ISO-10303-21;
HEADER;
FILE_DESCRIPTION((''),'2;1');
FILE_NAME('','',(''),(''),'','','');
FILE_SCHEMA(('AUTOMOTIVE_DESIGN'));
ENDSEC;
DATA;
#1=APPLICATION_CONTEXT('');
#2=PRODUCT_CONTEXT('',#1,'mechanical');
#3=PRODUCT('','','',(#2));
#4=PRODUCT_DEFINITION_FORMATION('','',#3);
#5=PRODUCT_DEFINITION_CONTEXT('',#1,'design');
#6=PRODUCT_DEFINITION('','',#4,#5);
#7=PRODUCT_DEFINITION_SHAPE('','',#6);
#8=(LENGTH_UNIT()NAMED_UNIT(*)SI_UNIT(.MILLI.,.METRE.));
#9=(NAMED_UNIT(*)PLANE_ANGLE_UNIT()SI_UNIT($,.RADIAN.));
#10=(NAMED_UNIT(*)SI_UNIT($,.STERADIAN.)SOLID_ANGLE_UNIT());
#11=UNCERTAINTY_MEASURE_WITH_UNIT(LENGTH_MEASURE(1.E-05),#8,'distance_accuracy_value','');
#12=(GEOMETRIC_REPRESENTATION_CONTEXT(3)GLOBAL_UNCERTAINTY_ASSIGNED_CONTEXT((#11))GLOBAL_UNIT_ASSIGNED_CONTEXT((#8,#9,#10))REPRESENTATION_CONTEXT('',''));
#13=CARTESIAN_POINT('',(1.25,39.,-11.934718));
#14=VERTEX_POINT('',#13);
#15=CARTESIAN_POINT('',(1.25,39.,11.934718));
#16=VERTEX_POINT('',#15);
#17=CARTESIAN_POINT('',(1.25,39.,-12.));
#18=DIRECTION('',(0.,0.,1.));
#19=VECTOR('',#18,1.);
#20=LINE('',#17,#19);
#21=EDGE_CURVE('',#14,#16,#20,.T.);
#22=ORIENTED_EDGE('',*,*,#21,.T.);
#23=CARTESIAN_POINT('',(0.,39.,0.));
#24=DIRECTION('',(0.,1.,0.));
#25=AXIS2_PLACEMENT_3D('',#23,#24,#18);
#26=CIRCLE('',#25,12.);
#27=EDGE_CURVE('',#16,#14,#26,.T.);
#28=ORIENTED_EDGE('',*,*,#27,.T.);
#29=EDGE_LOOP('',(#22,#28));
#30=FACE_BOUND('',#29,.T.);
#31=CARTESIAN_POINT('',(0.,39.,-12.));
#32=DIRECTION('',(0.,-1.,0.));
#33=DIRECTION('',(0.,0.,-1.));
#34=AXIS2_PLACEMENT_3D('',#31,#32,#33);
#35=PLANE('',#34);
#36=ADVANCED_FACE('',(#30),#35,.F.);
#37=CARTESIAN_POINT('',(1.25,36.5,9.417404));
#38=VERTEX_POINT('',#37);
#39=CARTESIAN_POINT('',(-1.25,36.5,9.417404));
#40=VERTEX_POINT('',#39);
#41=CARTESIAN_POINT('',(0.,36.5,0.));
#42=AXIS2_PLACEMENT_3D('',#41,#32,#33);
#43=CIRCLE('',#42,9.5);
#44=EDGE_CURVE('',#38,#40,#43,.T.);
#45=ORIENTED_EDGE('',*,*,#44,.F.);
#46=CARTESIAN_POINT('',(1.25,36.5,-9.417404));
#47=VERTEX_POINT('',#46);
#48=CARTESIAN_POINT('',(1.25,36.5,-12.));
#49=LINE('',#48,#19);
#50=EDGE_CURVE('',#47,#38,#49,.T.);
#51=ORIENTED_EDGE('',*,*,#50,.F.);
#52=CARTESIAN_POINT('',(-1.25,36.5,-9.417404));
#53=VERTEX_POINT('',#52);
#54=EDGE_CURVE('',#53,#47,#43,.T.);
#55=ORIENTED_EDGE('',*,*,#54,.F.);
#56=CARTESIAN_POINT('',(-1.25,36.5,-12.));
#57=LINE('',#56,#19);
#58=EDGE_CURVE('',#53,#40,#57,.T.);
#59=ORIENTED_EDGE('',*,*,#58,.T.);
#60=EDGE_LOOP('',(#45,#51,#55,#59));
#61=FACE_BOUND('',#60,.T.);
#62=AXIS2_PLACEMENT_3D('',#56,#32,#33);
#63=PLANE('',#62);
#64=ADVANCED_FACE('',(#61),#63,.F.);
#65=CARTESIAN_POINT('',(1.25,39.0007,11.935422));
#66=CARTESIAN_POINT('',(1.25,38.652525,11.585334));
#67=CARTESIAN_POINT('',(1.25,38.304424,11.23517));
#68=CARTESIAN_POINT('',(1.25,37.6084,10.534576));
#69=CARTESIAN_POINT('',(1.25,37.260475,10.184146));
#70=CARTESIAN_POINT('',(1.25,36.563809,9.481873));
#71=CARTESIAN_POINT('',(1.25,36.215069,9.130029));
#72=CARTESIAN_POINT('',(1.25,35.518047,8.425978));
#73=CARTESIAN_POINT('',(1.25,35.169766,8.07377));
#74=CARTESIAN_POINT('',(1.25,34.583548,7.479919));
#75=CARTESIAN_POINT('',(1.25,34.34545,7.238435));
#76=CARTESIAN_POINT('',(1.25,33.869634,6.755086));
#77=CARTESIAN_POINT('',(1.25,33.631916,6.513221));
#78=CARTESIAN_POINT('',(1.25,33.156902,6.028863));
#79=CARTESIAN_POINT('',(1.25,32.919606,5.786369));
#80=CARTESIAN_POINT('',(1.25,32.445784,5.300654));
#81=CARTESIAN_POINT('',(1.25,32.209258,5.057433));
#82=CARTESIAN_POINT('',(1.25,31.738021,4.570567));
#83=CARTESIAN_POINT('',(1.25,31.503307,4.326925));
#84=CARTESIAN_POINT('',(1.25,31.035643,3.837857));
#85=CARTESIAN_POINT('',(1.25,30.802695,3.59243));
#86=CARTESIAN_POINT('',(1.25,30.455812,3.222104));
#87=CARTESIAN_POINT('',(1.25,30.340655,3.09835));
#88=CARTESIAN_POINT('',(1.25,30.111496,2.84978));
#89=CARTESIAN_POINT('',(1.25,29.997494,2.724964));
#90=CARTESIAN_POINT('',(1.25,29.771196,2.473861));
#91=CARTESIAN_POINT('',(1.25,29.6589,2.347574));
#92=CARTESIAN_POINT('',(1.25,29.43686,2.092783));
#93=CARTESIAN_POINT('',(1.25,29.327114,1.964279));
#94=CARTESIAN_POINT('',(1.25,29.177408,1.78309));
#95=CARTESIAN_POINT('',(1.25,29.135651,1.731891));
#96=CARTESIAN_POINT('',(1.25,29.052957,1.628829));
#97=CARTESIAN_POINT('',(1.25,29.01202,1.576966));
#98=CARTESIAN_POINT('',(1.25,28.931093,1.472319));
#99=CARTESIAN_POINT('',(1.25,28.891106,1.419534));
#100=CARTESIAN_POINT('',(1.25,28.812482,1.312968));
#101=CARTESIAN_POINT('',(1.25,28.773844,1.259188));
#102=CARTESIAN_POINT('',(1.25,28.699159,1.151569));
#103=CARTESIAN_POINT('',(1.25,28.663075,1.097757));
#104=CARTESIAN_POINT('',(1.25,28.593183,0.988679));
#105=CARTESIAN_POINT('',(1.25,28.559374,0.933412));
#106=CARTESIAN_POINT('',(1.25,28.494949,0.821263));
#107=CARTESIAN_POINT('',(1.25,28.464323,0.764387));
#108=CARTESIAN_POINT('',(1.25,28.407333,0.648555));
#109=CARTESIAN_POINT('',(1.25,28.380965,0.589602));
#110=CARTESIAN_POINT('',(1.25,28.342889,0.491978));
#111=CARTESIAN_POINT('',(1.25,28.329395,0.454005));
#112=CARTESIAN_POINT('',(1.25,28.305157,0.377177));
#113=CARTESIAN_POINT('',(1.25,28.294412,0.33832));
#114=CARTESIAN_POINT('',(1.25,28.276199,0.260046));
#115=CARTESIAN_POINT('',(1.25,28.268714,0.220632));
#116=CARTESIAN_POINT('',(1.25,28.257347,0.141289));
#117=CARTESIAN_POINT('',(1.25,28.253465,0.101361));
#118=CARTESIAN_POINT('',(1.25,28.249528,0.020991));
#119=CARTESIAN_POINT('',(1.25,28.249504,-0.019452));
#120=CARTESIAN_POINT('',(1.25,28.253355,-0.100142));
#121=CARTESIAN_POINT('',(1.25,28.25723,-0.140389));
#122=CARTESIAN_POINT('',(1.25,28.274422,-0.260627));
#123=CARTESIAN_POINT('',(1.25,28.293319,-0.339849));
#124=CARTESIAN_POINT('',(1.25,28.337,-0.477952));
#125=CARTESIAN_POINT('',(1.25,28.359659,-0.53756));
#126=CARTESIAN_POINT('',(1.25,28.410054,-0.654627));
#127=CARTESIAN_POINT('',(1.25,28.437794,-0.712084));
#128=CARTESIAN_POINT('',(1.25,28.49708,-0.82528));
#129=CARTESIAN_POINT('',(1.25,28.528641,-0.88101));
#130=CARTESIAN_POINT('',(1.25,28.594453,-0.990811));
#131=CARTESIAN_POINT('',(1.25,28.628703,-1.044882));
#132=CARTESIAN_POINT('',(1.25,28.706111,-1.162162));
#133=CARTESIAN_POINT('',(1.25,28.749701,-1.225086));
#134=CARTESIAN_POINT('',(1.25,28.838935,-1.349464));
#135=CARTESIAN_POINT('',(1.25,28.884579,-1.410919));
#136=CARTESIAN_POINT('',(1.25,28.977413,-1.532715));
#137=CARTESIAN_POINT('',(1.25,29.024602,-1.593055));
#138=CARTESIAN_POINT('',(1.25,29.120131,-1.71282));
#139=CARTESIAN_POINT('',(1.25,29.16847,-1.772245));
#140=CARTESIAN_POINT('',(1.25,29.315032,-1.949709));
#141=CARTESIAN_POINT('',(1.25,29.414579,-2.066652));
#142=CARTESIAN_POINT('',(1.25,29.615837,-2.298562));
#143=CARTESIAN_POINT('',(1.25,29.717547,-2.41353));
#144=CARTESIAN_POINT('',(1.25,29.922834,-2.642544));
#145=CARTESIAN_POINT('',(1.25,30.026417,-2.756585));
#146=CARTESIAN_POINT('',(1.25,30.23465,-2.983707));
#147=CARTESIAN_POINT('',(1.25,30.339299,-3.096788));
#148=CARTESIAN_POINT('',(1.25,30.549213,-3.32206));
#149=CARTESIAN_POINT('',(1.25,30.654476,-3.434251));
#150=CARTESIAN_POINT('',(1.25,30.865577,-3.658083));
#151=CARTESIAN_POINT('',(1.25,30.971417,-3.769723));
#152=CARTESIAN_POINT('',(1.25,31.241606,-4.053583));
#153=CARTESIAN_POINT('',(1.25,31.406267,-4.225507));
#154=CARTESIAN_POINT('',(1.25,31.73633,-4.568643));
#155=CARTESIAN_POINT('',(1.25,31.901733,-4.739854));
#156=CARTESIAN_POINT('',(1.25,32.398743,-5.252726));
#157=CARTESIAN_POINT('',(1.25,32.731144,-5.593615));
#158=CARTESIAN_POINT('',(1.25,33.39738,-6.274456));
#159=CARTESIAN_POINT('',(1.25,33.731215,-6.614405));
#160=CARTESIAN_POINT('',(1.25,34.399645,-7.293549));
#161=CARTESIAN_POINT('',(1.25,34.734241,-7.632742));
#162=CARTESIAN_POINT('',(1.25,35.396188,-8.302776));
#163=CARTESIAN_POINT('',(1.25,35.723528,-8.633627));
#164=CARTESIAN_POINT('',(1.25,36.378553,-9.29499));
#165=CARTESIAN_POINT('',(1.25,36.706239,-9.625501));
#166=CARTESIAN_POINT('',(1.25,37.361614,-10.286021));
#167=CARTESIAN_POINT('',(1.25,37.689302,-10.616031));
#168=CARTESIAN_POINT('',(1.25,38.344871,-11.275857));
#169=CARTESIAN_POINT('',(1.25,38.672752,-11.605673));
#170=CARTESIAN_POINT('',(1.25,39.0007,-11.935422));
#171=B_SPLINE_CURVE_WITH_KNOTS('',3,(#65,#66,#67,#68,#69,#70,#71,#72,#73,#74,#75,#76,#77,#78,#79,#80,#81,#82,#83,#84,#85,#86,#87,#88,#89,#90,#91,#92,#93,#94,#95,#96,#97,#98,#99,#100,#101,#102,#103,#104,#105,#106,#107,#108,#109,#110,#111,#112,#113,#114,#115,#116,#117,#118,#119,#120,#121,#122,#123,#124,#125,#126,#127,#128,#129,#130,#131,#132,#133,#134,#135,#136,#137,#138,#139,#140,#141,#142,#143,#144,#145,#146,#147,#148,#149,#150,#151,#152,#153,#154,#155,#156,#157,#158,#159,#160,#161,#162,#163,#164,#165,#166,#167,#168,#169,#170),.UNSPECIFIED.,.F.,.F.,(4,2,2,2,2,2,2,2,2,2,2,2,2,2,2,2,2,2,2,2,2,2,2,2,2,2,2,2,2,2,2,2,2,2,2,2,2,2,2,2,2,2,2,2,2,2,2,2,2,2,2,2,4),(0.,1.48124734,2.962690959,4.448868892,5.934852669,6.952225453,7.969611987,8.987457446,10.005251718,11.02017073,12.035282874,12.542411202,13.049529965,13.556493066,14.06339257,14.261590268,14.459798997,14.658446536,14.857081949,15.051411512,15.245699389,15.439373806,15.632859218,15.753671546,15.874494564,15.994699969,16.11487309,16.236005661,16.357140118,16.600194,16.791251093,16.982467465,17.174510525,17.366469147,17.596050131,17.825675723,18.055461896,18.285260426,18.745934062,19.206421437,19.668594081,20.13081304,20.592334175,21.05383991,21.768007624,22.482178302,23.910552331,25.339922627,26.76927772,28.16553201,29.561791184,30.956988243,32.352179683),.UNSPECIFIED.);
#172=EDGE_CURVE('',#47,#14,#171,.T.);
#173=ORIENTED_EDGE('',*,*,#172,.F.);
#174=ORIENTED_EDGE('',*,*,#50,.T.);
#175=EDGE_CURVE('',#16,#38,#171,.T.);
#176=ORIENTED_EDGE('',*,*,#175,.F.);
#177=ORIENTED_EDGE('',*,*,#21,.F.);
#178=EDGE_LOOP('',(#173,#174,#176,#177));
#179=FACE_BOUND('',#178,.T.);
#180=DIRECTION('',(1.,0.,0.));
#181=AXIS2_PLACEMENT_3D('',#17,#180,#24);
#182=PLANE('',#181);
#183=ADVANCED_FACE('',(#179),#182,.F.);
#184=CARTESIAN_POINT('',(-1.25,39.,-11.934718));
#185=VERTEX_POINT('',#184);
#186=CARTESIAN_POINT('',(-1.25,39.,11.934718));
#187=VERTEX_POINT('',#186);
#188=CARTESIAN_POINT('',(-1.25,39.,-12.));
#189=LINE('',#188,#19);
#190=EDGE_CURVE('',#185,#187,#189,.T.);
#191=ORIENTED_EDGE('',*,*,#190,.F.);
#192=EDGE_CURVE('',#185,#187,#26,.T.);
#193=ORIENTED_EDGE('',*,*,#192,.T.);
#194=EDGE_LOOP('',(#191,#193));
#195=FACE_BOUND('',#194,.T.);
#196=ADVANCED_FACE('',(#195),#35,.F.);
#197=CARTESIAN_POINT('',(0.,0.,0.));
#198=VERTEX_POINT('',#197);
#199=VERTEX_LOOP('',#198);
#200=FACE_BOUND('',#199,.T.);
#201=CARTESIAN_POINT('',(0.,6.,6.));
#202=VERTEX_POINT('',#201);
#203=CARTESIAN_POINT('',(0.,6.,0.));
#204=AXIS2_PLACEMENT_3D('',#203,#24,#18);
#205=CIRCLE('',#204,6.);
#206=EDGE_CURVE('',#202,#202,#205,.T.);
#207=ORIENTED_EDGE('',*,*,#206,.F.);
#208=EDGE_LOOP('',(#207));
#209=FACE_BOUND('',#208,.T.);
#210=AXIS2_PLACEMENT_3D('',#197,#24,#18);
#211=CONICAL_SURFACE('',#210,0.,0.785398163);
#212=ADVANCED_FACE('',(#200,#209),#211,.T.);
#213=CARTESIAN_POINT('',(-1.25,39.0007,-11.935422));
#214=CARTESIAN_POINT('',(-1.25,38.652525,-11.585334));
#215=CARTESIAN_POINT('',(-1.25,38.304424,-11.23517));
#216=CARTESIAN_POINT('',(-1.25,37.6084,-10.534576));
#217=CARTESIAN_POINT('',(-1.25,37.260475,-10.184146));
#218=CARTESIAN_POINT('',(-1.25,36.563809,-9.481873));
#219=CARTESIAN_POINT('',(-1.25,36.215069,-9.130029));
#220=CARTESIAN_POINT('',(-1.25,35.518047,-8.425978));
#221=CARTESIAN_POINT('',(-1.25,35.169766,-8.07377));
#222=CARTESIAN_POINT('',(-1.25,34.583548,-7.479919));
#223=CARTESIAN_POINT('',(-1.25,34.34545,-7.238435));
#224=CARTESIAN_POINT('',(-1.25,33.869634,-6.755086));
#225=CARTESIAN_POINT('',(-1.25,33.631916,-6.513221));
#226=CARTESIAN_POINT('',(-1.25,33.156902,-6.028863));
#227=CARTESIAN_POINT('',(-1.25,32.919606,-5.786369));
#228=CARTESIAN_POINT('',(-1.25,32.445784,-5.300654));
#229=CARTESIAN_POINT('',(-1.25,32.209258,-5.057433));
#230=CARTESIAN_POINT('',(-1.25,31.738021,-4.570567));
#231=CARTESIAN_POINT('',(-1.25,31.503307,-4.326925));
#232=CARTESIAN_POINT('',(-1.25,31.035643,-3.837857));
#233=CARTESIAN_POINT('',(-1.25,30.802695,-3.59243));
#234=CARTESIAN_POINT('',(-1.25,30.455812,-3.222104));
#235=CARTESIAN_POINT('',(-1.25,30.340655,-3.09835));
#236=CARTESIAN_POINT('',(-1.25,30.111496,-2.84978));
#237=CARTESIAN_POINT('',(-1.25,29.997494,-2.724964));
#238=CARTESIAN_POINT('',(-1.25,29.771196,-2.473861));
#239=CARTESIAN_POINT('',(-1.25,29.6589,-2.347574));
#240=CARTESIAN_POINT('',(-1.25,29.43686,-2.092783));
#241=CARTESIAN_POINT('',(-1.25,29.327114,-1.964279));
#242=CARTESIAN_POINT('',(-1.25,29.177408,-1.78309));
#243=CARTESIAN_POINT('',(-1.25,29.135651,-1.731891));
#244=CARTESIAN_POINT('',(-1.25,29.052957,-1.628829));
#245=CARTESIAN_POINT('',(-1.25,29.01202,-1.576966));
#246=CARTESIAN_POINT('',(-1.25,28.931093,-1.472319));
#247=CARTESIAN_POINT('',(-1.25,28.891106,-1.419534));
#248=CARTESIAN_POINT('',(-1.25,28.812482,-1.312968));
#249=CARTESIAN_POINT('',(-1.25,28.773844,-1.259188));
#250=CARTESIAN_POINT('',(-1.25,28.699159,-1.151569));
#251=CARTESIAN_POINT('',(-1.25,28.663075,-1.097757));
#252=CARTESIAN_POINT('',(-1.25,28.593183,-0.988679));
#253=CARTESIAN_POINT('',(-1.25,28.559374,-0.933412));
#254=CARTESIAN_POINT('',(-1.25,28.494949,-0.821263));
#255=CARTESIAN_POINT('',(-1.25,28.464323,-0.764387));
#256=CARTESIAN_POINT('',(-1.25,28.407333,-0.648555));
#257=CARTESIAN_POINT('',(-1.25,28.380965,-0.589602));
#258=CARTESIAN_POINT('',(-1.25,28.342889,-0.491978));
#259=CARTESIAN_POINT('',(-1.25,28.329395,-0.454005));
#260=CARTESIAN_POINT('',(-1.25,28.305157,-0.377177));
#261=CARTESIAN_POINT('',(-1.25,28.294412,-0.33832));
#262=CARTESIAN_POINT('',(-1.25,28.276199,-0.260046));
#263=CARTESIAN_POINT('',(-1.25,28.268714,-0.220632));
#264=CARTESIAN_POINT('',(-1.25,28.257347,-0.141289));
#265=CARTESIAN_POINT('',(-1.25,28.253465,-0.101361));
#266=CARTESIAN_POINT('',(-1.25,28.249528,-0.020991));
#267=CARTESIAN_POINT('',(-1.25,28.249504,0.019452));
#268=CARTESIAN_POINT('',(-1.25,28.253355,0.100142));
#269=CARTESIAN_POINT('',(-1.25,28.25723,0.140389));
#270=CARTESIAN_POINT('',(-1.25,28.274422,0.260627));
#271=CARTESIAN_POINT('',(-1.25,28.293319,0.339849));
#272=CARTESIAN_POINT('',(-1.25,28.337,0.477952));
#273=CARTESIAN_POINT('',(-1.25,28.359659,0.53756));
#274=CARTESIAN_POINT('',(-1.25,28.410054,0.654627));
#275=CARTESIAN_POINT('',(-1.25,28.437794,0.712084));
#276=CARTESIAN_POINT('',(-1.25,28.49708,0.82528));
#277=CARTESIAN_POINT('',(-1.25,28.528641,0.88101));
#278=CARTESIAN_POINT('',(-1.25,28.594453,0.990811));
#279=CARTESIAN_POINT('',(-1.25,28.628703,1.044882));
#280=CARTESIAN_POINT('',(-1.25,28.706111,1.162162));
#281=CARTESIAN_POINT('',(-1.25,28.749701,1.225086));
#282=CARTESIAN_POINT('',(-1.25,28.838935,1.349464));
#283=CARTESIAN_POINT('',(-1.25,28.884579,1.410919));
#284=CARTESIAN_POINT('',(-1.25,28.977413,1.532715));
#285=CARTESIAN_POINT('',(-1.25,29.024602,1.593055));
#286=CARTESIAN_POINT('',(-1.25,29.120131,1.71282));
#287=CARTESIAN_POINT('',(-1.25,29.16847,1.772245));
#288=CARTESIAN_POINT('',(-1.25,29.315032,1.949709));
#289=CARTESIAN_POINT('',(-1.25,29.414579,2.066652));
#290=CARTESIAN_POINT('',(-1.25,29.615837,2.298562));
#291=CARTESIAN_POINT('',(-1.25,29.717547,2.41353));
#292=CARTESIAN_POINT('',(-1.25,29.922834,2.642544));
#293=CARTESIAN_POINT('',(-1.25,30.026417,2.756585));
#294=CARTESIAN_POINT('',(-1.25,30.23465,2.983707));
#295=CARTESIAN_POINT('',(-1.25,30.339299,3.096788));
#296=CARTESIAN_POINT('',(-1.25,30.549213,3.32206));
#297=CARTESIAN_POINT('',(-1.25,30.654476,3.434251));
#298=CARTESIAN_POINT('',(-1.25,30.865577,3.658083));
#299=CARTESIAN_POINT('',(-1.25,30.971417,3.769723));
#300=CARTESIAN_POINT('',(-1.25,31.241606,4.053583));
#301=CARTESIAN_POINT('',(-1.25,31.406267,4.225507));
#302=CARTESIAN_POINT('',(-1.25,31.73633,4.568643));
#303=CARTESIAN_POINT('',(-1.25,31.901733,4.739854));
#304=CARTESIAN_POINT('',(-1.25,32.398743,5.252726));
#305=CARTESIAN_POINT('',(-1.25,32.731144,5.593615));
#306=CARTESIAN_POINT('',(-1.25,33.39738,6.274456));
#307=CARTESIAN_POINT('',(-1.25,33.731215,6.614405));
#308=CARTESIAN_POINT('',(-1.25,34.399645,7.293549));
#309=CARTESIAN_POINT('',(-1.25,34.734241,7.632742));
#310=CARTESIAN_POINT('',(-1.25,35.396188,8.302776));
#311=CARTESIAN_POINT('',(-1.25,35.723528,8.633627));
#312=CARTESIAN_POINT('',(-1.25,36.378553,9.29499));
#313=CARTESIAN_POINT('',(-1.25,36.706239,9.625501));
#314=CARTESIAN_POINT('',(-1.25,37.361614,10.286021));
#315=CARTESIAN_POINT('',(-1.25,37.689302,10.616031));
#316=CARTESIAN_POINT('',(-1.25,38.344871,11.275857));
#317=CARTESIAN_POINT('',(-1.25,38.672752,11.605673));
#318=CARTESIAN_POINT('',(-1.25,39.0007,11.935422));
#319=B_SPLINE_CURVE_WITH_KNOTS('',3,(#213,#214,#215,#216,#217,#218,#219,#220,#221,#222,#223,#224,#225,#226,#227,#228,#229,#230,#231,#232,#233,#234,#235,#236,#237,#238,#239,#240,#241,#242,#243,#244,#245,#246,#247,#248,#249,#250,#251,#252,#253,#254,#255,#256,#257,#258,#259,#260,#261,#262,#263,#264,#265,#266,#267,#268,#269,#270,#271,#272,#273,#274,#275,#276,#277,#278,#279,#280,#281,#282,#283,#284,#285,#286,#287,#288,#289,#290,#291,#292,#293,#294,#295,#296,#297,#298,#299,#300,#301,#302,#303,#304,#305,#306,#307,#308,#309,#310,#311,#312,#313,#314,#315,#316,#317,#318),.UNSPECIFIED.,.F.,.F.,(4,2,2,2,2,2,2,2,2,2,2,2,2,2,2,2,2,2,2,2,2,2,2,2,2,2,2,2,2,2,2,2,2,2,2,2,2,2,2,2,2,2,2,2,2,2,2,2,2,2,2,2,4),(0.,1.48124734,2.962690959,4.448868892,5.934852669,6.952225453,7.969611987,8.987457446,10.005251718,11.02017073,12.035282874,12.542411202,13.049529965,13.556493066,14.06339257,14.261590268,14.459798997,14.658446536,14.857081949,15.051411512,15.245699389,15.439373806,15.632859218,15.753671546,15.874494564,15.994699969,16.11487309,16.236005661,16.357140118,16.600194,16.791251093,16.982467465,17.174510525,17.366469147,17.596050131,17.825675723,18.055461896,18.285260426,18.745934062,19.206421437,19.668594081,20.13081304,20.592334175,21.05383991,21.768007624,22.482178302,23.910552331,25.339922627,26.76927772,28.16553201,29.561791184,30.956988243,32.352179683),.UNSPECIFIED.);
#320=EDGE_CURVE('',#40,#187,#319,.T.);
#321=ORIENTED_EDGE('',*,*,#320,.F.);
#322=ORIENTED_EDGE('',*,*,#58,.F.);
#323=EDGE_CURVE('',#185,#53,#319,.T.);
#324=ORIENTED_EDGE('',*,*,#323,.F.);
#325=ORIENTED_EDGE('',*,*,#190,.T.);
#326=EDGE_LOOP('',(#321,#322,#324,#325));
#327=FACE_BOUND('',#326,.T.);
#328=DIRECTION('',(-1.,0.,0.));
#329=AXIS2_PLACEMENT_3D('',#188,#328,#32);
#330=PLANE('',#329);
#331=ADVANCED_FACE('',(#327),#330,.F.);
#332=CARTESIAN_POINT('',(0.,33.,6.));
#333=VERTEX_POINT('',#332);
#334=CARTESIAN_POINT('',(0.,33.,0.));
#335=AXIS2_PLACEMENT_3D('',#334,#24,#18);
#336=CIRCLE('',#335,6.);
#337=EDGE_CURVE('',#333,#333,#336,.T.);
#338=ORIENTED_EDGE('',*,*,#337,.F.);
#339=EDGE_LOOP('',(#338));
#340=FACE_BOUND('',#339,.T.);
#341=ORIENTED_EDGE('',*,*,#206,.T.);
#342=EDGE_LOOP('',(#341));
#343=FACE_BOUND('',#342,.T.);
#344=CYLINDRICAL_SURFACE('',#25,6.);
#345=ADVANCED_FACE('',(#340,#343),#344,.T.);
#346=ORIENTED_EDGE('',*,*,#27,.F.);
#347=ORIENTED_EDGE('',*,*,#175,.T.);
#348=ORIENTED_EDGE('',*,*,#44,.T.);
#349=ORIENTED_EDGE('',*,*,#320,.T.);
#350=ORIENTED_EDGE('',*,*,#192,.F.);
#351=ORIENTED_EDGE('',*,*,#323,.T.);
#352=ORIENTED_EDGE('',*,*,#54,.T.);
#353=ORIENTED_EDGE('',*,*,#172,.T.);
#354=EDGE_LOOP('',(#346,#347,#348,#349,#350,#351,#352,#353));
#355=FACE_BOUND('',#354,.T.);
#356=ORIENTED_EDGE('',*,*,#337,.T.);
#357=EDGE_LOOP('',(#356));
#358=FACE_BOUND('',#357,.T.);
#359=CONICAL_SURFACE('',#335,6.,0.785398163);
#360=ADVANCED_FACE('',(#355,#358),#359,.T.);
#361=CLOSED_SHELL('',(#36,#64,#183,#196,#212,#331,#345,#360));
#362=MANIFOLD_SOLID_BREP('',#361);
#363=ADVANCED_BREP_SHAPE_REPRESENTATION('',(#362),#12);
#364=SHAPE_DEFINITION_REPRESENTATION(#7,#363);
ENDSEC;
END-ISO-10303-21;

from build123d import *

# Parameters (mm, degrees)
CUT_EXTRUDE1_DEPTH      = 43.532340636
CUT_EXTRUDE1_DEPTH_BACK = 43.532340636
SKETCH2_W               = 2.5
SKETCH2_H               = 2.5


with BuildPart() as part:
    # Sketch1 → Revolve1 (revolve)
    with BuildSketch(Plane(origin=(0, 0, 0), x_dir=(0, 0, -1), z_dir=(1, 0, 0)), mode=Mode.PRIVATE) as revolve1_sk:
        Polygon((0, 0), (6, 6), (6, 33), (12, 39), (0, 39), align=None)
    revolve(revolve1_sk.sketch.rotate(Axis((0, 39, 0), (0, -1, 0)), 180), axis=Axis((0, 39, 0), (0, -1, 0)))

    # Sketch2 → Cut-Extrude1 (cut, two sides: drawn at the far end of the back side and taken through both)
    with BuildSketch(Plane.XY.offset(-CUT_EXTRUDE1_DEPTH_BACK)):
        with Locations((0, 37.75)):
            Rectangle(SKETCH2_W, SKETCH2_H)
    extrude(amount=CUT_EXTRUDE1_DEPTH + CUT_EXTRUDE1_DEPTH_BACK, mode=Mode.SUBTRACT)


solid = part.part
